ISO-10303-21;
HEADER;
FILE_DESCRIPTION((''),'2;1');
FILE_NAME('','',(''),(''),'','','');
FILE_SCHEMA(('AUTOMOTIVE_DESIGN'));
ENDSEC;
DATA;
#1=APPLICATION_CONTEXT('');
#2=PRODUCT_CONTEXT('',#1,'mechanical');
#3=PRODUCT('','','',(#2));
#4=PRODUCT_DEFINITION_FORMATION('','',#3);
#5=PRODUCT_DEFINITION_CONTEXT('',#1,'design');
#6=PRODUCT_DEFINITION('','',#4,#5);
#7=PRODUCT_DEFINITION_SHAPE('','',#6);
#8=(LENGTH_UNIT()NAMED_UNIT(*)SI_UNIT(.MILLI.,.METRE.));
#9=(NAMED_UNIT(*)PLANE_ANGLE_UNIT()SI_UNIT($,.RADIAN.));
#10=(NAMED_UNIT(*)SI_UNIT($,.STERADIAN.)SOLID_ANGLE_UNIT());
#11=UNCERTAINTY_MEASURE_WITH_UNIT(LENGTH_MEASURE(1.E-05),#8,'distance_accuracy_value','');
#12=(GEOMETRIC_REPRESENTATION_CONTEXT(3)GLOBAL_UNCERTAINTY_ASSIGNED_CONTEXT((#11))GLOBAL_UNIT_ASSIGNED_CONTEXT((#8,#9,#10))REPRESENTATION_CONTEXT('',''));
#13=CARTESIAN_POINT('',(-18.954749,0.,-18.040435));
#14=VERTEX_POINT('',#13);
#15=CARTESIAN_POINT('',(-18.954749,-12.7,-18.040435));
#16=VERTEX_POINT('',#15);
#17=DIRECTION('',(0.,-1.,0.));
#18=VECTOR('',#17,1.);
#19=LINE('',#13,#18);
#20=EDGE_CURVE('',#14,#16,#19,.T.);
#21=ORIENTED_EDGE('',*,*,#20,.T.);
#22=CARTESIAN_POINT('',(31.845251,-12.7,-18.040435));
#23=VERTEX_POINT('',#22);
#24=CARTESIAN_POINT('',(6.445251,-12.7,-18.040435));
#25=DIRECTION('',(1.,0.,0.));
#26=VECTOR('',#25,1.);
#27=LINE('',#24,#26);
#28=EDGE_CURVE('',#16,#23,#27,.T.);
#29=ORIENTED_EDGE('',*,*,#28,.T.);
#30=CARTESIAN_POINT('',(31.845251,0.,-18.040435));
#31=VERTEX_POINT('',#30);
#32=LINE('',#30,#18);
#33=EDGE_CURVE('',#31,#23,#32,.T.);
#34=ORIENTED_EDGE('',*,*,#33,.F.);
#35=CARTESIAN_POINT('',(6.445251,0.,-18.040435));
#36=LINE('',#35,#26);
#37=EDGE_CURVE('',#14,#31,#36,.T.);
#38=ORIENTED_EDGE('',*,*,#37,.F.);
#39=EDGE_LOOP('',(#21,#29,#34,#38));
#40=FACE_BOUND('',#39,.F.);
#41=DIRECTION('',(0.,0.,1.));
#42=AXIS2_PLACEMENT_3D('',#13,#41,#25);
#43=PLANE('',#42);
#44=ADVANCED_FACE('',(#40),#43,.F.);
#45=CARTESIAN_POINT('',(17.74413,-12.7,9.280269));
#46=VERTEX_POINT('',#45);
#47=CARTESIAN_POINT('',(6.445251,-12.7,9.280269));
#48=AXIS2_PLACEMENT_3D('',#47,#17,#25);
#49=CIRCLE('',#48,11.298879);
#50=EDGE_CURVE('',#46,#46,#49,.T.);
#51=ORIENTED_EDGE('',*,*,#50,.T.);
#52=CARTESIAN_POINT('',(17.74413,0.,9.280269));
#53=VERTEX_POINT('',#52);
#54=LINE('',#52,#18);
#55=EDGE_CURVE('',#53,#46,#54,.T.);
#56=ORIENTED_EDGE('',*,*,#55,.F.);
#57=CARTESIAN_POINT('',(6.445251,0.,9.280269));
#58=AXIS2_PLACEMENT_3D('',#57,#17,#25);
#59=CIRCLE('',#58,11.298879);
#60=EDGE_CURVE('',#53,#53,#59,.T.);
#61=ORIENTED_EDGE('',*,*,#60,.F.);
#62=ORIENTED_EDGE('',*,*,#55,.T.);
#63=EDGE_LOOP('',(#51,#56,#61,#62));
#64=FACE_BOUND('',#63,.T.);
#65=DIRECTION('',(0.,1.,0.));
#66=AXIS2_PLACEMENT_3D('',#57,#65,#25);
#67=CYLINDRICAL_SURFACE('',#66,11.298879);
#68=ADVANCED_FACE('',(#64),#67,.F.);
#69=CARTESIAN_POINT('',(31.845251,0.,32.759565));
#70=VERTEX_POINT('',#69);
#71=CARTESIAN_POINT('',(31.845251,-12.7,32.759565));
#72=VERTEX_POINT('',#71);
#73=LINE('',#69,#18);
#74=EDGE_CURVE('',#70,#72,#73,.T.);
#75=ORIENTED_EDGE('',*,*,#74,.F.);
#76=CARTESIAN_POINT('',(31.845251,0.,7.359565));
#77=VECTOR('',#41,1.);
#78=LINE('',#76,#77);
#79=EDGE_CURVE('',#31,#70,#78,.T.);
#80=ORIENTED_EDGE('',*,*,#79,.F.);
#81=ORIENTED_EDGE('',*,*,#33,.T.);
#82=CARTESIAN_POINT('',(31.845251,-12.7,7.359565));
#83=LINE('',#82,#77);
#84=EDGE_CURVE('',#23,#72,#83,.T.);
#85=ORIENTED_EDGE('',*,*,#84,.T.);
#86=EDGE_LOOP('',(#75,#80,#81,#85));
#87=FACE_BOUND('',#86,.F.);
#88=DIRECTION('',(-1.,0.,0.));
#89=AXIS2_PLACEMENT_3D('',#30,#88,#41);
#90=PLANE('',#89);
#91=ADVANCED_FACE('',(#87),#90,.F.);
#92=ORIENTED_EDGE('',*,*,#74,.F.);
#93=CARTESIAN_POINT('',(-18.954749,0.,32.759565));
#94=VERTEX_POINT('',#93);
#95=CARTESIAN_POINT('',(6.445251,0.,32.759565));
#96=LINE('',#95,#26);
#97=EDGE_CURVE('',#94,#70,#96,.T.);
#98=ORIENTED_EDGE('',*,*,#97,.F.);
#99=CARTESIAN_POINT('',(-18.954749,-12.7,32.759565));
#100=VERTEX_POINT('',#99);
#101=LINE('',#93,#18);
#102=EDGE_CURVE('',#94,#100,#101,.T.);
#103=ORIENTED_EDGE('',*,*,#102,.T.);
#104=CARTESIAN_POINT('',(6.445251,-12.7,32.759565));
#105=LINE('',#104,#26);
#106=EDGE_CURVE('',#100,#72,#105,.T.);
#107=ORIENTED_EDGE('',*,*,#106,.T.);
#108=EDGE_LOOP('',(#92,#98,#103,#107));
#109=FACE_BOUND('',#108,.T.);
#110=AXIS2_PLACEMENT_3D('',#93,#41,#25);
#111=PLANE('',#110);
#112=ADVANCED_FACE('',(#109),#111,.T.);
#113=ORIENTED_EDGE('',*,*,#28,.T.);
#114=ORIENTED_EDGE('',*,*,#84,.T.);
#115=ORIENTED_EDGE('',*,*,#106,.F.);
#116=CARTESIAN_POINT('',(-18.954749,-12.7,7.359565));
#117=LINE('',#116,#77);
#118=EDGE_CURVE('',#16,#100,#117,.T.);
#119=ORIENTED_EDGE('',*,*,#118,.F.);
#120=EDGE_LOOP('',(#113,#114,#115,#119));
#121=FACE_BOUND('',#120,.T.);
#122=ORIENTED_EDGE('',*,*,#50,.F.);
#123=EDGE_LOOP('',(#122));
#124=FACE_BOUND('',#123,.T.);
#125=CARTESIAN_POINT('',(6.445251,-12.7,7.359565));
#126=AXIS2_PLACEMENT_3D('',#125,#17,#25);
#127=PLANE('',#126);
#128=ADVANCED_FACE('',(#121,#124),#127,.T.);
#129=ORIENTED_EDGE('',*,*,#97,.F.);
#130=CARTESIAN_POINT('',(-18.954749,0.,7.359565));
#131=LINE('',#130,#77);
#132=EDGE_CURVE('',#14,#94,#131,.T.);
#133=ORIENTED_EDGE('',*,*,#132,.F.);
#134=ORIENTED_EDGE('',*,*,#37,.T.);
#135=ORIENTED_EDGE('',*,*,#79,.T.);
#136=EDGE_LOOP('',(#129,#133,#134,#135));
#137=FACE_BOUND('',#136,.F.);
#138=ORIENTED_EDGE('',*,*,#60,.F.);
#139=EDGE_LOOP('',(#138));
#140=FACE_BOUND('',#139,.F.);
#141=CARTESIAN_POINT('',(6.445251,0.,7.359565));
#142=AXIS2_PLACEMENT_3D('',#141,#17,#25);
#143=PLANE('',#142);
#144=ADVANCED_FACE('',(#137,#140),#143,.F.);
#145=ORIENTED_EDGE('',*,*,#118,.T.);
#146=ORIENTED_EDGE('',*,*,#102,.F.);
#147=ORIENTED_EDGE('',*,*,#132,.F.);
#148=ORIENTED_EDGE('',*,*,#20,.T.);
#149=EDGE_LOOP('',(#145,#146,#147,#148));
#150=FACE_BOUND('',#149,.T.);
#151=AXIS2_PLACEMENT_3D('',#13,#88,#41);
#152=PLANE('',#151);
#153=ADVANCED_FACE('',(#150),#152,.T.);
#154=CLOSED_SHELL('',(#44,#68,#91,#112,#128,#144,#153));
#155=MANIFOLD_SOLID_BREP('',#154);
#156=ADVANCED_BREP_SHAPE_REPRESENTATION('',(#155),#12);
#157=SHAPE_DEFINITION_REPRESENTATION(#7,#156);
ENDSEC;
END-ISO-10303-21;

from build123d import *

# Parameters (mm, degrees)
F0_W     = 50.8
F0_H     = 50.8
F0_R     = 11.298879
F1_DEPTH = 12.7
F2_DEPTH = 12.7


with BuildPart() as f1:
    # F0 (on Front) → F1 (new body)
    with BuildSketch(Plane.XZ):
        with Locations((6.445251, 7.359565)):
            Rectangle(F0_W, F0_H)
        with Locations((6.445251, 9.280269)):
            Circle(F0_R, mode=Mode.SUBTRACT)
    extrude(amount=F1_DEPTH)

    # F0 (on Front) → F2 (join)
    with BuildSketch(Plane.XZ):
        with Locations((6.445251, 7.359565)):
            Rectangle(F0_W, F0_H)
        with Locations((6.445251, 9.280269)):
            Circle(F0_R, mode=Mode.SUBTRACT)
    extrude(amount=F2_DEPTH)


solid = f1.part
